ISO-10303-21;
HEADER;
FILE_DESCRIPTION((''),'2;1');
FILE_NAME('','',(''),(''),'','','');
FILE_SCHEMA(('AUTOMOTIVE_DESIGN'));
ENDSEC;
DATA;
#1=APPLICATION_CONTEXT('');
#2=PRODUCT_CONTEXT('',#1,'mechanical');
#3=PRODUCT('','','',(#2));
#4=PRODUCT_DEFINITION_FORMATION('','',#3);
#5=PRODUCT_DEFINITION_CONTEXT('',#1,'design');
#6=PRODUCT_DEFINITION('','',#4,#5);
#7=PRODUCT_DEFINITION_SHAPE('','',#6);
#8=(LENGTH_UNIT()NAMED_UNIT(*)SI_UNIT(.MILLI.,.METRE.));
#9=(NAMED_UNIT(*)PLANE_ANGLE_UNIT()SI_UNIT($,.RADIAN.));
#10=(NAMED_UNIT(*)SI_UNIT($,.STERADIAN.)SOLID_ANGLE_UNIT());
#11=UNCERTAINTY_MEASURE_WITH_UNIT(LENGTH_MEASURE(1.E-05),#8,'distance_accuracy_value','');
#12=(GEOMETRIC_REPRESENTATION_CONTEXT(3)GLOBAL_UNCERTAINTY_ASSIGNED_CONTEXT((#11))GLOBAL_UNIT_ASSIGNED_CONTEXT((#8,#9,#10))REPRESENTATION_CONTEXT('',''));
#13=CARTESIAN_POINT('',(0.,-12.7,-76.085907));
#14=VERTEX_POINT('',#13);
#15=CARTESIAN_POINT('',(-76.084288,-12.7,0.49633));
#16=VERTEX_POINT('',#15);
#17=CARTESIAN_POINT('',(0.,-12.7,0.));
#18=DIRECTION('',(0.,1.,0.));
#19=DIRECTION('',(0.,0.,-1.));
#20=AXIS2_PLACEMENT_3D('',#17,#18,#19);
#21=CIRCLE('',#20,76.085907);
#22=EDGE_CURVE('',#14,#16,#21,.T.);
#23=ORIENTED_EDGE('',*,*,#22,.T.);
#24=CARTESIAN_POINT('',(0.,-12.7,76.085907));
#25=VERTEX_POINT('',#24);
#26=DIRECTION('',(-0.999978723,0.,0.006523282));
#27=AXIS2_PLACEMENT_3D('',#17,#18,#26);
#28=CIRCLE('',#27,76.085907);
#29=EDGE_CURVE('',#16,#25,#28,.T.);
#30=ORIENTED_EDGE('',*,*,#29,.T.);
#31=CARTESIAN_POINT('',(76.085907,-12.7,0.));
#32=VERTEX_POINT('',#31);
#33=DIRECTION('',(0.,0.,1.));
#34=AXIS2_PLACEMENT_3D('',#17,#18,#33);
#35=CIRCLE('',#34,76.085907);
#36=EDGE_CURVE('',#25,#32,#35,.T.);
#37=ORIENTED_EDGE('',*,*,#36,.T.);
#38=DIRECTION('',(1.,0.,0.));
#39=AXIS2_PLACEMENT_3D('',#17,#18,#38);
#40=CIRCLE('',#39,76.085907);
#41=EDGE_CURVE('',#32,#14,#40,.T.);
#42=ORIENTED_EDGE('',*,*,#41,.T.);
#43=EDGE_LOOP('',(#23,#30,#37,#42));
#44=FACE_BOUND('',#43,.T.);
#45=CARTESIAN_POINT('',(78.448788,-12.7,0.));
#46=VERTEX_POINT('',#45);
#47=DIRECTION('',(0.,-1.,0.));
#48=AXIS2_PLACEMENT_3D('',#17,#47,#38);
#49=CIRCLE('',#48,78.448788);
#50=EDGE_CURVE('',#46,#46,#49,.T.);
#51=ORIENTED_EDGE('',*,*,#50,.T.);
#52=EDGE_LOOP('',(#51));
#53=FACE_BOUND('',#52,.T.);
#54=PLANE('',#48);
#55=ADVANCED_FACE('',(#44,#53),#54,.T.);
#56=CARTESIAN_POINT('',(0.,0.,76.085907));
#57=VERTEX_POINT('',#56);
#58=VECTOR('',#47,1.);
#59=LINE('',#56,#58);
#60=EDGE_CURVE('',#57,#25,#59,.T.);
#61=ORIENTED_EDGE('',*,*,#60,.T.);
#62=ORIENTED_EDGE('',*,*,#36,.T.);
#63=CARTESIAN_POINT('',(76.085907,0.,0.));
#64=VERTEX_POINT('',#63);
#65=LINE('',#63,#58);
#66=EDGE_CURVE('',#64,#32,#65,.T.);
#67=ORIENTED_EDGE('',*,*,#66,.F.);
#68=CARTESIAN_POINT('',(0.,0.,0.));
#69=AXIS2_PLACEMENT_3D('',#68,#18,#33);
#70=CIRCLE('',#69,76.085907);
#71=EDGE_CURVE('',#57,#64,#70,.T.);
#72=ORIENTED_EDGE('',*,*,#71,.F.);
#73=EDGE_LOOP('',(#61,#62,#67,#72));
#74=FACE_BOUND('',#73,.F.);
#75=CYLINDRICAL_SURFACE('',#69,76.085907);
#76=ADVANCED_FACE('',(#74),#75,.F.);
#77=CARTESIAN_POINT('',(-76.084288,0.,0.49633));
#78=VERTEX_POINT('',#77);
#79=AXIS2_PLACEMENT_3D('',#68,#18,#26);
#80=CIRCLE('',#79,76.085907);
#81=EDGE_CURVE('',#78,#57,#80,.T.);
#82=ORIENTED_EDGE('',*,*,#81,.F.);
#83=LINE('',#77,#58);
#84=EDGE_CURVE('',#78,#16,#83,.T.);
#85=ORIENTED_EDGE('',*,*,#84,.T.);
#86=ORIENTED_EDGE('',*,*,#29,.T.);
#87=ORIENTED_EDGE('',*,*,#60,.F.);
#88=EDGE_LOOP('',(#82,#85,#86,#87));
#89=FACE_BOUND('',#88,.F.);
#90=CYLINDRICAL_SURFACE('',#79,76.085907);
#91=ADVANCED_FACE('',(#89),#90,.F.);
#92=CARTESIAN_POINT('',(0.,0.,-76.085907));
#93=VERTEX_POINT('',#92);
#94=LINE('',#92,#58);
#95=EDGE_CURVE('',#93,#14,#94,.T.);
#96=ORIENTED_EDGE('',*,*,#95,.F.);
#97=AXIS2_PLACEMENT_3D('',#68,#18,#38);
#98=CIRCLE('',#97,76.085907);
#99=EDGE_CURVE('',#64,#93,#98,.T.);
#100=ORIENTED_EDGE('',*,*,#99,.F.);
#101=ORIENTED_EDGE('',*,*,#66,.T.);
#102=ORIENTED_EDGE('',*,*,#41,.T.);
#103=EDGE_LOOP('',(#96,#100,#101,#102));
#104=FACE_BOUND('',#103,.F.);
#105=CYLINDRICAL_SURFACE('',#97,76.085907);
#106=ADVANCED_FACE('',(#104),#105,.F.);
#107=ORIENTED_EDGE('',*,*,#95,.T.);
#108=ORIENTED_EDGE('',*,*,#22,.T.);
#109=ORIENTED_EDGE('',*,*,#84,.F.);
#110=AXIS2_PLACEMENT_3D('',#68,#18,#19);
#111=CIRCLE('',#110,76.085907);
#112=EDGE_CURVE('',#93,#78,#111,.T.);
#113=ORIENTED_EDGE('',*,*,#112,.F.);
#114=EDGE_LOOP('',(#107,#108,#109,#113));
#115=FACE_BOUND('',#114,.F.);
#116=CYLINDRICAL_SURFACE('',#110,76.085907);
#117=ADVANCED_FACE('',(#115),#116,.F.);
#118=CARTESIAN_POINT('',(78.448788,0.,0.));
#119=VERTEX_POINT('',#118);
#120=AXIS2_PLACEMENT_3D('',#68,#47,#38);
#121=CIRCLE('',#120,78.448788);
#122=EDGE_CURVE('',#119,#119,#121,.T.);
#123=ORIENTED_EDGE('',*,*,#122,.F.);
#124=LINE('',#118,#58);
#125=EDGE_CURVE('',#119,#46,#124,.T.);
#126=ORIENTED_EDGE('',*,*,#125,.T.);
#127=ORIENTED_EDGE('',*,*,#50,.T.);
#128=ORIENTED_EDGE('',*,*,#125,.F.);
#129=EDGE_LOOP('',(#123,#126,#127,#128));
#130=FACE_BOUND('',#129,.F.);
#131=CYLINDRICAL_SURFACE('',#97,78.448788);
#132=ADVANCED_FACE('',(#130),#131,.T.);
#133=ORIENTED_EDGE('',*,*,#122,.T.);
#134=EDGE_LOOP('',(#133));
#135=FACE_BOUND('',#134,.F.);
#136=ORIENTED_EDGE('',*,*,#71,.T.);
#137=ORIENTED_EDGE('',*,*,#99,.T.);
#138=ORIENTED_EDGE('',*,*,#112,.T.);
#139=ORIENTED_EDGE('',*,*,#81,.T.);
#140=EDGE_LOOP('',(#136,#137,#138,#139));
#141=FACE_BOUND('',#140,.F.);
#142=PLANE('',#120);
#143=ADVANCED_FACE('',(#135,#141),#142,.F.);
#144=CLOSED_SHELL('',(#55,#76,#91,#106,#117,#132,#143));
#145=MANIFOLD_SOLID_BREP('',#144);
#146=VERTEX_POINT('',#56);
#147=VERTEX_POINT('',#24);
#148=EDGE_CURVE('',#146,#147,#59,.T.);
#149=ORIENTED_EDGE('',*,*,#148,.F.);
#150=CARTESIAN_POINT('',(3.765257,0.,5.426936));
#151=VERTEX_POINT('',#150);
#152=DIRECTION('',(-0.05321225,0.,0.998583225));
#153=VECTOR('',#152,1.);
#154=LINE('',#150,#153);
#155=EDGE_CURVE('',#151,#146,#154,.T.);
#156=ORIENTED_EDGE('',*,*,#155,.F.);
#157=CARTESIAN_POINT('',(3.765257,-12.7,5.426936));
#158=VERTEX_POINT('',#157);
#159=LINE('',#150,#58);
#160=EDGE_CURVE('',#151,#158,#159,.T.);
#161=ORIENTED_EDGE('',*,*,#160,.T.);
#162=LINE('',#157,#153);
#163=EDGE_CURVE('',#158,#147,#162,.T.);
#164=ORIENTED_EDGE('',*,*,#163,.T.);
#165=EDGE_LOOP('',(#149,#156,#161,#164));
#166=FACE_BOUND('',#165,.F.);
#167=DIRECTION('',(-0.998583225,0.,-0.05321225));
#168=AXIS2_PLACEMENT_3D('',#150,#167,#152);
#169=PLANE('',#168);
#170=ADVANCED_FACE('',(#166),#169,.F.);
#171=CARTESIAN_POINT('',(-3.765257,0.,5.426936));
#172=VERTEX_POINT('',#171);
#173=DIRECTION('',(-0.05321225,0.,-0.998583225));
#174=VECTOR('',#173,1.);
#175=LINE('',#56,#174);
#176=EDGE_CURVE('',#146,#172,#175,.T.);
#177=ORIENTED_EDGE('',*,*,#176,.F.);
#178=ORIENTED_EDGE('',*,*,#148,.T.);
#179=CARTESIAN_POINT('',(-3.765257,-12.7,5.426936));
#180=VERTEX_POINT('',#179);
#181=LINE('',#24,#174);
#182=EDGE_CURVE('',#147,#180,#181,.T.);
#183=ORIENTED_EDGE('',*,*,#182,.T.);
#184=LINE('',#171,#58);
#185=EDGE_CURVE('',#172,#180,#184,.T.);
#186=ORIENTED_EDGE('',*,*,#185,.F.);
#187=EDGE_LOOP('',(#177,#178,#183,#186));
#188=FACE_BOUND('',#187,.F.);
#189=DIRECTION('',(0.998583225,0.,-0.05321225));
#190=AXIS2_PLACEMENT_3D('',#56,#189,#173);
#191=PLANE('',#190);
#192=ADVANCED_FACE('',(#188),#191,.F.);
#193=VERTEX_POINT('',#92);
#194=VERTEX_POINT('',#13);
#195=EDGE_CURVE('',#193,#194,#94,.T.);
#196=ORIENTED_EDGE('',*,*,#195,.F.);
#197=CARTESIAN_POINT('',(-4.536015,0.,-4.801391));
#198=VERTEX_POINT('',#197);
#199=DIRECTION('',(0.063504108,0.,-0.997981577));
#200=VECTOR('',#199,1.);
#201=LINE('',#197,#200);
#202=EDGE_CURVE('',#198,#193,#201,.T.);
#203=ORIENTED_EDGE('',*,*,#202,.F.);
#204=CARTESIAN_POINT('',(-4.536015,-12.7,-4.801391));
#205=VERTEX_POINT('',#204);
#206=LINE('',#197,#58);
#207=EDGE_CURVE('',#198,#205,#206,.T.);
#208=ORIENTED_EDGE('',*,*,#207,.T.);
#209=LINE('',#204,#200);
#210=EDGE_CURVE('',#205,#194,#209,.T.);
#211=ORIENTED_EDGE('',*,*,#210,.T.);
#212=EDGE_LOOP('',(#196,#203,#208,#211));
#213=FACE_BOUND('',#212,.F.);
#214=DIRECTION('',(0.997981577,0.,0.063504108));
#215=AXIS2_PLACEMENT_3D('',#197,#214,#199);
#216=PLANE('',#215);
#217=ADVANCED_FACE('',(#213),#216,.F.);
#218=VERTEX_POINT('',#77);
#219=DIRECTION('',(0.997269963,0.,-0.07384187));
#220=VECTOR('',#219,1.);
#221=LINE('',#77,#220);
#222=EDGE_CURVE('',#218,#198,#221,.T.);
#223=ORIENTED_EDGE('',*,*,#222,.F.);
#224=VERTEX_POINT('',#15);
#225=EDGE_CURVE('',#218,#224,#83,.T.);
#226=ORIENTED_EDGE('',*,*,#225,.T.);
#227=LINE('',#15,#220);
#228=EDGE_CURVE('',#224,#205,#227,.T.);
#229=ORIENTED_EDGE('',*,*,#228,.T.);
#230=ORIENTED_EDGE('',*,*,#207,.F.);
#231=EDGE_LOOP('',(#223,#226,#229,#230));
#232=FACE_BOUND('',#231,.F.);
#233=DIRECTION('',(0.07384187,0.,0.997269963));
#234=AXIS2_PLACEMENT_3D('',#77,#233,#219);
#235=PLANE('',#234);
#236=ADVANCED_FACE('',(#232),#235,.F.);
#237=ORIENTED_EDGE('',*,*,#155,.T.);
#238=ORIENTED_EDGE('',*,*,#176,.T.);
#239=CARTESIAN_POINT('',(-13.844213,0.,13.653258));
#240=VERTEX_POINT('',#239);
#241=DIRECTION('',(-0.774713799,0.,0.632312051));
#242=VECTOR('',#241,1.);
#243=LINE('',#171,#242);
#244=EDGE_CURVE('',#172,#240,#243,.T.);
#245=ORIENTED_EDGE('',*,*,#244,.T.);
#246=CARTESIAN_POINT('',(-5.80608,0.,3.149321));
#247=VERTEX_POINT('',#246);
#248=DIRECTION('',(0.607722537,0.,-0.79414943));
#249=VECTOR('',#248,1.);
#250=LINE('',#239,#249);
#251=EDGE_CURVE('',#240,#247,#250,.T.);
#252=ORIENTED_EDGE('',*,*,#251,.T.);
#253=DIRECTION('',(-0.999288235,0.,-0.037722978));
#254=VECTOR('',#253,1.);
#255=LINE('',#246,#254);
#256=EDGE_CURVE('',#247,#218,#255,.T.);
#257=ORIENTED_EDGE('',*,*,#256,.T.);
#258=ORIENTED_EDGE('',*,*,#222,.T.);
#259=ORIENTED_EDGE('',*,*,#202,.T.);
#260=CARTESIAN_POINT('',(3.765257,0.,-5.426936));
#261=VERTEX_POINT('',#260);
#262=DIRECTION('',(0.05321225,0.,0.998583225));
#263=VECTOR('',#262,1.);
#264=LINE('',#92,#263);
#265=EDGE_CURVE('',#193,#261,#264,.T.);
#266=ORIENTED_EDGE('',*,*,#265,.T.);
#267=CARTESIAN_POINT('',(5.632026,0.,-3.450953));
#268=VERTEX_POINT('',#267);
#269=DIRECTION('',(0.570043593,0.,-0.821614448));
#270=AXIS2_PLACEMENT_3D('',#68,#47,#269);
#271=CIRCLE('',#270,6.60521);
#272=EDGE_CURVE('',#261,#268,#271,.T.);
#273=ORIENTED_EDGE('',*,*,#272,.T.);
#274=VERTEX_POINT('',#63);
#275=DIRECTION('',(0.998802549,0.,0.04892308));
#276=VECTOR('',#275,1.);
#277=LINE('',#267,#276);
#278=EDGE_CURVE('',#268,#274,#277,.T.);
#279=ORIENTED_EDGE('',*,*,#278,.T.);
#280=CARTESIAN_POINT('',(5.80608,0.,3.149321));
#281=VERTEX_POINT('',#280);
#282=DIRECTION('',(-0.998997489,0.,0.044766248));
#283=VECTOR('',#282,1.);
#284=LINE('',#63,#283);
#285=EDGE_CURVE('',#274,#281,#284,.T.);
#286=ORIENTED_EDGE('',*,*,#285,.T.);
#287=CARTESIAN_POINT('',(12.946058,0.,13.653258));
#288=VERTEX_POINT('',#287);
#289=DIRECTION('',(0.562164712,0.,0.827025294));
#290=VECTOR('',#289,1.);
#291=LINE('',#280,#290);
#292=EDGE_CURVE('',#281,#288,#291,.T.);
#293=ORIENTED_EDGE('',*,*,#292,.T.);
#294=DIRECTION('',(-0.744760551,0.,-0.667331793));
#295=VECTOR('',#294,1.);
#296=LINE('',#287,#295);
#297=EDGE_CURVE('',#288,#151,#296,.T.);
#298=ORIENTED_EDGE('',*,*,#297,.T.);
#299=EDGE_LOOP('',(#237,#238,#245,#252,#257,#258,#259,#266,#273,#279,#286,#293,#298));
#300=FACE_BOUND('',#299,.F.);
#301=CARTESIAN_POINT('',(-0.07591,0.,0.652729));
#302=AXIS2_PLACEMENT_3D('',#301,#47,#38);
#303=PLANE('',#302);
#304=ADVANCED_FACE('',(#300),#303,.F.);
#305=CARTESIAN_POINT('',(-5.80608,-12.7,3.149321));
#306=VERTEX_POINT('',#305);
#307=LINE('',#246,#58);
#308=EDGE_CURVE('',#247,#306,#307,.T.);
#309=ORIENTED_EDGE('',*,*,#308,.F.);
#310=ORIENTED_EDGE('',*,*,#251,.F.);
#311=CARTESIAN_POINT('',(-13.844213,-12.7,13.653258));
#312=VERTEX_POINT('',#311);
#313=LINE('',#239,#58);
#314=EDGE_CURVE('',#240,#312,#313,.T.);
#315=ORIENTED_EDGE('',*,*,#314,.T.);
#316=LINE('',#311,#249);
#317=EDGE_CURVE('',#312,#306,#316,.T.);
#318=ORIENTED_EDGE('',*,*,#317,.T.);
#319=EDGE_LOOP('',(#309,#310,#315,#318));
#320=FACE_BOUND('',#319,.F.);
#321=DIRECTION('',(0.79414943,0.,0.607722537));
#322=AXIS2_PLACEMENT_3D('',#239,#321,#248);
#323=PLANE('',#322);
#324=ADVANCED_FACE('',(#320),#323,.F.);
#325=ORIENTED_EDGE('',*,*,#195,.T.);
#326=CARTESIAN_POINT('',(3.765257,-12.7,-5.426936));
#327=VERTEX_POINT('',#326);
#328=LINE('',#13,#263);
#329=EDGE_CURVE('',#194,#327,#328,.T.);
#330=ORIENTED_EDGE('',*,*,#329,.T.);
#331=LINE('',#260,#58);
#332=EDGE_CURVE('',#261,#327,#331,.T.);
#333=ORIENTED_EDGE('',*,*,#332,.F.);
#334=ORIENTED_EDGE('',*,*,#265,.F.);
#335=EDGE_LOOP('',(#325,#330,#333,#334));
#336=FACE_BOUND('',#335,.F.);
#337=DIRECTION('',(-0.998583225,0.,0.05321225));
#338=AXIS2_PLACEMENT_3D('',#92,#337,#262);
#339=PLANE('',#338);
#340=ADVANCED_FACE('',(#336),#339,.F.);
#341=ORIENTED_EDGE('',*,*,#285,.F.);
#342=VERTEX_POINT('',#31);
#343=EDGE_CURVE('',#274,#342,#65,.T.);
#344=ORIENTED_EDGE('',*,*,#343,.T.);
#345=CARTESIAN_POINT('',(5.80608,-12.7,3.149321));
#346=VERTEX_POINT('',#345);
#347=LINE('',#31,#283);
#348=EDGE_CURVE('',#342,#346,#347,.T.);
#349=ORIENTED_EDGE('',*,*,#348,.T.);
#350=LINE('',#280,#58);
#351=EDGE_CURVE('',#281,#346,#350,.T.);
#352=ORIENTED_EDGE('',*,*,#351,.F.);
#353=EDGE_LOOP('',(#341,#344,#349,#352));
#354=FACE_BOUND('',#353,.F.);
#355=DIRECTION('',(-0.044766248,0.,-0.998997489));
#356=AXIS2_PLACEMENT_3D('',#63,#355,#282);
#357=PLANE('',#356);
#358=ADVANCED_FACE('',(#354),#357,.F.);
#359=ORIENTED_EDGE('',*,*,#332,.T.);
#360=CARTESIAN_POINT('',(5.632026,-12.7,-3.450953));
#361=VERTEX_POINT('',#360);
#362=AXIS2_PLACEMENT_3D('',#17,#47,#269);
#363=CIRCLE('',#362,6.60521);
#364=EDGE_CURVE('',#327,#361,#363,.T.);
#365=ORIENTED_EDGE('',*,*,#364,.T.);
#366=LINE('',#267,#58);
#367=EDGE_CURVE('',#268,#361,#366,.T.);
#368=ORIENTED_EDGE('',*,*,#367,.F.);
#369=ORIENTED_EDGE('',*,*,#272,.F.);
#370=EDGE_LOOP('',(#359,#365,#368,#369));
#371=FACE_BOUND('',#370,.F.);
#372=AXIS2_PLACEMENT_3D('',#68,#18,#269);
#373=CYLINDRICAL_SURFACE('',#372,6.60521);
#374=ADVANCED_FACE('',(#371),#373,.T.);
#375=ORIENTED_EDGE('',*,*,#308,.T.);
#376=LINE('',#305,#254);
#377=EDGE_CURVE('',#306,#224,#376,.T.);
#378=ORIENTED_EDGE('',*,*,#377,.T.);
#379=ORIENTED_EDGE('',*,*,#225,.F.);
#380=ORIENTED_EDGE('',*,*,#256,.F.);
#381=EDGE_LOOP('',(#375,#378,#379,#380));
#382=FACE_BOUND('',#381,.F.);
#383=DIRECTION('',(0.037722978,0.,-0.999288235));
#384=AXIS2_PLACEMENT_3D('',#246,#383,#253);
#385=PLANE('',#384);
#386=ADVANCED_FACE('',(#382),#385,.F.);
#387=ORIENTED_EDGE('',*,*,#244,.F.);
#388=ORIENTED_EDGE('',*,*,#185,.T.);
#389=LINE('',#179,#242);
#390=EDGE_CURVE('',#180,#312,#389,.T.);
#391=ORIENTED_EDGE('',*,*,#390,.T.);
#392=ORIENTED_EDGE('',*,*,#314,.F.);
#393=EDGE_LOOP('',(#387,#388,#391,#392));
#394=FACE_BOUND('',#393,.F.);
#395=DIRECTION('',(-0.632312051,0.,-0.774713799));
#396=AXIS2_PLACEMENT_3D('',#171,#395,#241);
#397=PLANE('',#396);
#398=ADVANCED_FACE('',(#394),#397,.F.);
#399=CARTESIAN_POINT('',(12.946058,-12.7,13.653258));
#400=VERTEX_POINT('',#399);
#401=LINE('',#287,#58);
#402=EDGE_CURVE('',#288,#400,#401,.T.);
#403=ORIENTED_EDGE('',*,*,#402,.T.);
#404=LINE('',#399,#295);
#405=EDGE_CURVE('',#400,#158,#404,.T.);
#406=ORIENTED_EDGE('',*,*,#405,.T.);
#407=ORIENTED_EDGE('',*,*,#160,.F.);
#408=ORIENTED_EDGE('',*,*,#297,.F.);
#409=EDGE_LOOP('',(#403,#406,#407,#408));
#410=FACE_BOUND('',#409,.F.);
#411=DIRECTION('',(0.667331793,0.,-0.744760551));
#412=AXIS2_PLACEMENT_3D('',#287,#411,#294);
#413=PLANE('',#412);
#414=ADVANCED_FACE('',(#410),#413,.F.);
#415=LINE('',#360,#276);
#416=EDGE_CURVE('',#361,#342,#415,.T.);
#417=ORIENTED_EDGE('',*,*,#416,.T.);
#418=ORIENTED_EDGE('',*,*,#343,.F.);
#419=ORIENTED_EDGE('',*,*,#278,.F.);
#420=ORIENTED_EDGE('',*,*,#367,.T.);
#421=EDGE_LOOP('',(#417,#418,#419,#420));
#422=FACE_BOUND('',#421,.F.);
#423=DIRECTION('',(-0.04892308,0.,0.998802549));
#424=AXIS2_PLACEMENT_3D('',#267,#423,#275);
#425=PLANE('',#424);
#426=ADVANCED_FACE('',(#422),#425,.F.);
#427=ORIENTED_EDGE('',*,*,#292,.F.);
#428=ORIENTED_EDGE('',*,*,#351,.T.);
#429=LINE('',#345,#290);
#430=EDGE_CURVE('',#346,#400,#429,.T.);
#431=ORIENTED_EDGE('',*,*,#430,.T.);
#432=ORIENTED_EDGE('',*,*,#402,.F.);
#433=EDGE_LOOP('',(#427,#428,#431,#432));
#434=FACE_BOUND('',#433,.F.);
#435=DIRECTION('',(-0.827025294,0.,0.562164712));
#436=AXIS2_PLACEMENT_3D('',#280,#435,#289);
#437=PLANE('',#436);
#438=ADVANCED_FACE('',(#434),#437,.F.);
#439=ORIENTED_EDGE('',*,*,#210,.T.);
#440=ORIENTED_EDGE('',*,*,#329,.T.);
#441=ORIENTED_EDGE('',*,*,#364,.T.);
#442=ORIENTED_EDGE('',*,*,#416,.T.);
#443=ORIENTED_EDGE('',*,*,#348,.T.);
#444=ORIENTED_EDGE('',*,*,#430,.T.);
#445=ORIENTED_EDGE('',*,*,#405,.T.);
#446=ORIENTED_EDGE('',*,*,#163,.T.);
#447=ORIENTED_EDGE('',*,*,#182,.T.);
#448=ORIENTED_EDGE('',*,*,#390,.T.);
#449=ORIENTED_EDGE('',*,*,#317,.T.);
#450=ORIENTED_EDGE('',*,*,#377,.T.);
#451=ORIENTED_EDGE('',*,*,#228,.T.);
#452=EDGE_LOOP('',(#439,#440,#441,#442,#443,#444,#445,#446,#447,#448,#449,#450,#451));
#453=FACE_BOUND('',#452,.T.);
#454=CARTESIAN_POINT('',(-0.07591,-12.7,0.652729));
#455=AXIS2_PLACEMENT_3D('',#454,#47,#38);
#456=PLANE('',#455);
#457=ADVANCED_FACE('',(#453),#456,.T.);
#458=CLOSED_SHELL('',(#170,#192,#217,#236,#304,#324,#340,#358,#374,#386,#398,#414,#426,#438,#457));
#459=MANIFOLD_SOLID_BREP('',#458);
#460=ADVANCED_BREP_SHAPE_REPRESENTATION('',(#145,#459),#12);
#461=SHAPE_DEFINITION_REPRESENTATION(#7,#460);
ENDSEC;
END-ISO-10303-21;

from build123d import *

# Parameters (mm, degrees)
F1_DEPTH = 12.7
F0_R     = 78.4487884366


with BuildPart() as f1:
    # F0 (on Front) → F1 (new body)
    with BuildSketch(Plane.XZ):
        with BuildLine():
            Line((5.6320258197, -3.4509532399), (76.0859069982, 0))
            Line((76.0859069982, 0), (5.8060802368, 3.149321416))
            Line((5.8060802368, 3.149321416), (12.946058248, 13.6532578617))
            Line((12.946058248, 13.6532578617), (3.7652573822, 5.4269355942))
            Line((3.7652573822, 5.4269355942), (0, 76.0859069982))
            Line((0, 76.0859069982), (-3.7652573822, 5.4269355942))
            Line((-3.7652573822, 5.4269355942), (-13.8442134485, 13.6532578617))
            Line((-13.8442134485, 13.6532578617), (-5.8060802368, 3.149321416))
            Line((-5.8060802368, 3.149321416), (-76.0842881314, 0.4963298042))
            Line((-76.0842881314, 0.4963298042), (-4.5360151716, -4.8013914087))
            Line((-4.5360151716, -4.8013914087), (0, -76.0859069982))
            Line((0, -76.0859069982), (3.7652573822, -5.4269355942))
            ThreePointArc((3.7652573822, -5.4269355942), (4.8013914087, -4.5360151716), (5.6320258197, -3.4509532399))
        make_face()
    extrude(amount=F1_DEPTH)


with BuildPart() as f1b:
    # F0 (on Front) → F1, piece 2 (new body)
    with BuildSketch(Plane.XZ):
        Circle(F0_R)
        with BuildLine():
            ThreePointArc((0, 76.0859069982), (53.8008607911, 53.8008607911), (76.0859069982, 0))
            ThreePointArc((76.0859069982, 0), (53.8008607911, -53.8008607911), (0, -76.0859069982))
            ThreePointArc((0, -76.0859069982), (-53.976054631, -53.6250945939), (-76.0842881314, 0.4963298042))
            ThreePointArc((-76.0842881314, 0.4963298042), (-53.6250945939, 53.976054631), (0, 76.0859069982))
        make_face(mode=Mode.SUBTRACT)
    extrude(amount=F1_DEPTH)


solid = Compound([f1.part, f1b.part])
